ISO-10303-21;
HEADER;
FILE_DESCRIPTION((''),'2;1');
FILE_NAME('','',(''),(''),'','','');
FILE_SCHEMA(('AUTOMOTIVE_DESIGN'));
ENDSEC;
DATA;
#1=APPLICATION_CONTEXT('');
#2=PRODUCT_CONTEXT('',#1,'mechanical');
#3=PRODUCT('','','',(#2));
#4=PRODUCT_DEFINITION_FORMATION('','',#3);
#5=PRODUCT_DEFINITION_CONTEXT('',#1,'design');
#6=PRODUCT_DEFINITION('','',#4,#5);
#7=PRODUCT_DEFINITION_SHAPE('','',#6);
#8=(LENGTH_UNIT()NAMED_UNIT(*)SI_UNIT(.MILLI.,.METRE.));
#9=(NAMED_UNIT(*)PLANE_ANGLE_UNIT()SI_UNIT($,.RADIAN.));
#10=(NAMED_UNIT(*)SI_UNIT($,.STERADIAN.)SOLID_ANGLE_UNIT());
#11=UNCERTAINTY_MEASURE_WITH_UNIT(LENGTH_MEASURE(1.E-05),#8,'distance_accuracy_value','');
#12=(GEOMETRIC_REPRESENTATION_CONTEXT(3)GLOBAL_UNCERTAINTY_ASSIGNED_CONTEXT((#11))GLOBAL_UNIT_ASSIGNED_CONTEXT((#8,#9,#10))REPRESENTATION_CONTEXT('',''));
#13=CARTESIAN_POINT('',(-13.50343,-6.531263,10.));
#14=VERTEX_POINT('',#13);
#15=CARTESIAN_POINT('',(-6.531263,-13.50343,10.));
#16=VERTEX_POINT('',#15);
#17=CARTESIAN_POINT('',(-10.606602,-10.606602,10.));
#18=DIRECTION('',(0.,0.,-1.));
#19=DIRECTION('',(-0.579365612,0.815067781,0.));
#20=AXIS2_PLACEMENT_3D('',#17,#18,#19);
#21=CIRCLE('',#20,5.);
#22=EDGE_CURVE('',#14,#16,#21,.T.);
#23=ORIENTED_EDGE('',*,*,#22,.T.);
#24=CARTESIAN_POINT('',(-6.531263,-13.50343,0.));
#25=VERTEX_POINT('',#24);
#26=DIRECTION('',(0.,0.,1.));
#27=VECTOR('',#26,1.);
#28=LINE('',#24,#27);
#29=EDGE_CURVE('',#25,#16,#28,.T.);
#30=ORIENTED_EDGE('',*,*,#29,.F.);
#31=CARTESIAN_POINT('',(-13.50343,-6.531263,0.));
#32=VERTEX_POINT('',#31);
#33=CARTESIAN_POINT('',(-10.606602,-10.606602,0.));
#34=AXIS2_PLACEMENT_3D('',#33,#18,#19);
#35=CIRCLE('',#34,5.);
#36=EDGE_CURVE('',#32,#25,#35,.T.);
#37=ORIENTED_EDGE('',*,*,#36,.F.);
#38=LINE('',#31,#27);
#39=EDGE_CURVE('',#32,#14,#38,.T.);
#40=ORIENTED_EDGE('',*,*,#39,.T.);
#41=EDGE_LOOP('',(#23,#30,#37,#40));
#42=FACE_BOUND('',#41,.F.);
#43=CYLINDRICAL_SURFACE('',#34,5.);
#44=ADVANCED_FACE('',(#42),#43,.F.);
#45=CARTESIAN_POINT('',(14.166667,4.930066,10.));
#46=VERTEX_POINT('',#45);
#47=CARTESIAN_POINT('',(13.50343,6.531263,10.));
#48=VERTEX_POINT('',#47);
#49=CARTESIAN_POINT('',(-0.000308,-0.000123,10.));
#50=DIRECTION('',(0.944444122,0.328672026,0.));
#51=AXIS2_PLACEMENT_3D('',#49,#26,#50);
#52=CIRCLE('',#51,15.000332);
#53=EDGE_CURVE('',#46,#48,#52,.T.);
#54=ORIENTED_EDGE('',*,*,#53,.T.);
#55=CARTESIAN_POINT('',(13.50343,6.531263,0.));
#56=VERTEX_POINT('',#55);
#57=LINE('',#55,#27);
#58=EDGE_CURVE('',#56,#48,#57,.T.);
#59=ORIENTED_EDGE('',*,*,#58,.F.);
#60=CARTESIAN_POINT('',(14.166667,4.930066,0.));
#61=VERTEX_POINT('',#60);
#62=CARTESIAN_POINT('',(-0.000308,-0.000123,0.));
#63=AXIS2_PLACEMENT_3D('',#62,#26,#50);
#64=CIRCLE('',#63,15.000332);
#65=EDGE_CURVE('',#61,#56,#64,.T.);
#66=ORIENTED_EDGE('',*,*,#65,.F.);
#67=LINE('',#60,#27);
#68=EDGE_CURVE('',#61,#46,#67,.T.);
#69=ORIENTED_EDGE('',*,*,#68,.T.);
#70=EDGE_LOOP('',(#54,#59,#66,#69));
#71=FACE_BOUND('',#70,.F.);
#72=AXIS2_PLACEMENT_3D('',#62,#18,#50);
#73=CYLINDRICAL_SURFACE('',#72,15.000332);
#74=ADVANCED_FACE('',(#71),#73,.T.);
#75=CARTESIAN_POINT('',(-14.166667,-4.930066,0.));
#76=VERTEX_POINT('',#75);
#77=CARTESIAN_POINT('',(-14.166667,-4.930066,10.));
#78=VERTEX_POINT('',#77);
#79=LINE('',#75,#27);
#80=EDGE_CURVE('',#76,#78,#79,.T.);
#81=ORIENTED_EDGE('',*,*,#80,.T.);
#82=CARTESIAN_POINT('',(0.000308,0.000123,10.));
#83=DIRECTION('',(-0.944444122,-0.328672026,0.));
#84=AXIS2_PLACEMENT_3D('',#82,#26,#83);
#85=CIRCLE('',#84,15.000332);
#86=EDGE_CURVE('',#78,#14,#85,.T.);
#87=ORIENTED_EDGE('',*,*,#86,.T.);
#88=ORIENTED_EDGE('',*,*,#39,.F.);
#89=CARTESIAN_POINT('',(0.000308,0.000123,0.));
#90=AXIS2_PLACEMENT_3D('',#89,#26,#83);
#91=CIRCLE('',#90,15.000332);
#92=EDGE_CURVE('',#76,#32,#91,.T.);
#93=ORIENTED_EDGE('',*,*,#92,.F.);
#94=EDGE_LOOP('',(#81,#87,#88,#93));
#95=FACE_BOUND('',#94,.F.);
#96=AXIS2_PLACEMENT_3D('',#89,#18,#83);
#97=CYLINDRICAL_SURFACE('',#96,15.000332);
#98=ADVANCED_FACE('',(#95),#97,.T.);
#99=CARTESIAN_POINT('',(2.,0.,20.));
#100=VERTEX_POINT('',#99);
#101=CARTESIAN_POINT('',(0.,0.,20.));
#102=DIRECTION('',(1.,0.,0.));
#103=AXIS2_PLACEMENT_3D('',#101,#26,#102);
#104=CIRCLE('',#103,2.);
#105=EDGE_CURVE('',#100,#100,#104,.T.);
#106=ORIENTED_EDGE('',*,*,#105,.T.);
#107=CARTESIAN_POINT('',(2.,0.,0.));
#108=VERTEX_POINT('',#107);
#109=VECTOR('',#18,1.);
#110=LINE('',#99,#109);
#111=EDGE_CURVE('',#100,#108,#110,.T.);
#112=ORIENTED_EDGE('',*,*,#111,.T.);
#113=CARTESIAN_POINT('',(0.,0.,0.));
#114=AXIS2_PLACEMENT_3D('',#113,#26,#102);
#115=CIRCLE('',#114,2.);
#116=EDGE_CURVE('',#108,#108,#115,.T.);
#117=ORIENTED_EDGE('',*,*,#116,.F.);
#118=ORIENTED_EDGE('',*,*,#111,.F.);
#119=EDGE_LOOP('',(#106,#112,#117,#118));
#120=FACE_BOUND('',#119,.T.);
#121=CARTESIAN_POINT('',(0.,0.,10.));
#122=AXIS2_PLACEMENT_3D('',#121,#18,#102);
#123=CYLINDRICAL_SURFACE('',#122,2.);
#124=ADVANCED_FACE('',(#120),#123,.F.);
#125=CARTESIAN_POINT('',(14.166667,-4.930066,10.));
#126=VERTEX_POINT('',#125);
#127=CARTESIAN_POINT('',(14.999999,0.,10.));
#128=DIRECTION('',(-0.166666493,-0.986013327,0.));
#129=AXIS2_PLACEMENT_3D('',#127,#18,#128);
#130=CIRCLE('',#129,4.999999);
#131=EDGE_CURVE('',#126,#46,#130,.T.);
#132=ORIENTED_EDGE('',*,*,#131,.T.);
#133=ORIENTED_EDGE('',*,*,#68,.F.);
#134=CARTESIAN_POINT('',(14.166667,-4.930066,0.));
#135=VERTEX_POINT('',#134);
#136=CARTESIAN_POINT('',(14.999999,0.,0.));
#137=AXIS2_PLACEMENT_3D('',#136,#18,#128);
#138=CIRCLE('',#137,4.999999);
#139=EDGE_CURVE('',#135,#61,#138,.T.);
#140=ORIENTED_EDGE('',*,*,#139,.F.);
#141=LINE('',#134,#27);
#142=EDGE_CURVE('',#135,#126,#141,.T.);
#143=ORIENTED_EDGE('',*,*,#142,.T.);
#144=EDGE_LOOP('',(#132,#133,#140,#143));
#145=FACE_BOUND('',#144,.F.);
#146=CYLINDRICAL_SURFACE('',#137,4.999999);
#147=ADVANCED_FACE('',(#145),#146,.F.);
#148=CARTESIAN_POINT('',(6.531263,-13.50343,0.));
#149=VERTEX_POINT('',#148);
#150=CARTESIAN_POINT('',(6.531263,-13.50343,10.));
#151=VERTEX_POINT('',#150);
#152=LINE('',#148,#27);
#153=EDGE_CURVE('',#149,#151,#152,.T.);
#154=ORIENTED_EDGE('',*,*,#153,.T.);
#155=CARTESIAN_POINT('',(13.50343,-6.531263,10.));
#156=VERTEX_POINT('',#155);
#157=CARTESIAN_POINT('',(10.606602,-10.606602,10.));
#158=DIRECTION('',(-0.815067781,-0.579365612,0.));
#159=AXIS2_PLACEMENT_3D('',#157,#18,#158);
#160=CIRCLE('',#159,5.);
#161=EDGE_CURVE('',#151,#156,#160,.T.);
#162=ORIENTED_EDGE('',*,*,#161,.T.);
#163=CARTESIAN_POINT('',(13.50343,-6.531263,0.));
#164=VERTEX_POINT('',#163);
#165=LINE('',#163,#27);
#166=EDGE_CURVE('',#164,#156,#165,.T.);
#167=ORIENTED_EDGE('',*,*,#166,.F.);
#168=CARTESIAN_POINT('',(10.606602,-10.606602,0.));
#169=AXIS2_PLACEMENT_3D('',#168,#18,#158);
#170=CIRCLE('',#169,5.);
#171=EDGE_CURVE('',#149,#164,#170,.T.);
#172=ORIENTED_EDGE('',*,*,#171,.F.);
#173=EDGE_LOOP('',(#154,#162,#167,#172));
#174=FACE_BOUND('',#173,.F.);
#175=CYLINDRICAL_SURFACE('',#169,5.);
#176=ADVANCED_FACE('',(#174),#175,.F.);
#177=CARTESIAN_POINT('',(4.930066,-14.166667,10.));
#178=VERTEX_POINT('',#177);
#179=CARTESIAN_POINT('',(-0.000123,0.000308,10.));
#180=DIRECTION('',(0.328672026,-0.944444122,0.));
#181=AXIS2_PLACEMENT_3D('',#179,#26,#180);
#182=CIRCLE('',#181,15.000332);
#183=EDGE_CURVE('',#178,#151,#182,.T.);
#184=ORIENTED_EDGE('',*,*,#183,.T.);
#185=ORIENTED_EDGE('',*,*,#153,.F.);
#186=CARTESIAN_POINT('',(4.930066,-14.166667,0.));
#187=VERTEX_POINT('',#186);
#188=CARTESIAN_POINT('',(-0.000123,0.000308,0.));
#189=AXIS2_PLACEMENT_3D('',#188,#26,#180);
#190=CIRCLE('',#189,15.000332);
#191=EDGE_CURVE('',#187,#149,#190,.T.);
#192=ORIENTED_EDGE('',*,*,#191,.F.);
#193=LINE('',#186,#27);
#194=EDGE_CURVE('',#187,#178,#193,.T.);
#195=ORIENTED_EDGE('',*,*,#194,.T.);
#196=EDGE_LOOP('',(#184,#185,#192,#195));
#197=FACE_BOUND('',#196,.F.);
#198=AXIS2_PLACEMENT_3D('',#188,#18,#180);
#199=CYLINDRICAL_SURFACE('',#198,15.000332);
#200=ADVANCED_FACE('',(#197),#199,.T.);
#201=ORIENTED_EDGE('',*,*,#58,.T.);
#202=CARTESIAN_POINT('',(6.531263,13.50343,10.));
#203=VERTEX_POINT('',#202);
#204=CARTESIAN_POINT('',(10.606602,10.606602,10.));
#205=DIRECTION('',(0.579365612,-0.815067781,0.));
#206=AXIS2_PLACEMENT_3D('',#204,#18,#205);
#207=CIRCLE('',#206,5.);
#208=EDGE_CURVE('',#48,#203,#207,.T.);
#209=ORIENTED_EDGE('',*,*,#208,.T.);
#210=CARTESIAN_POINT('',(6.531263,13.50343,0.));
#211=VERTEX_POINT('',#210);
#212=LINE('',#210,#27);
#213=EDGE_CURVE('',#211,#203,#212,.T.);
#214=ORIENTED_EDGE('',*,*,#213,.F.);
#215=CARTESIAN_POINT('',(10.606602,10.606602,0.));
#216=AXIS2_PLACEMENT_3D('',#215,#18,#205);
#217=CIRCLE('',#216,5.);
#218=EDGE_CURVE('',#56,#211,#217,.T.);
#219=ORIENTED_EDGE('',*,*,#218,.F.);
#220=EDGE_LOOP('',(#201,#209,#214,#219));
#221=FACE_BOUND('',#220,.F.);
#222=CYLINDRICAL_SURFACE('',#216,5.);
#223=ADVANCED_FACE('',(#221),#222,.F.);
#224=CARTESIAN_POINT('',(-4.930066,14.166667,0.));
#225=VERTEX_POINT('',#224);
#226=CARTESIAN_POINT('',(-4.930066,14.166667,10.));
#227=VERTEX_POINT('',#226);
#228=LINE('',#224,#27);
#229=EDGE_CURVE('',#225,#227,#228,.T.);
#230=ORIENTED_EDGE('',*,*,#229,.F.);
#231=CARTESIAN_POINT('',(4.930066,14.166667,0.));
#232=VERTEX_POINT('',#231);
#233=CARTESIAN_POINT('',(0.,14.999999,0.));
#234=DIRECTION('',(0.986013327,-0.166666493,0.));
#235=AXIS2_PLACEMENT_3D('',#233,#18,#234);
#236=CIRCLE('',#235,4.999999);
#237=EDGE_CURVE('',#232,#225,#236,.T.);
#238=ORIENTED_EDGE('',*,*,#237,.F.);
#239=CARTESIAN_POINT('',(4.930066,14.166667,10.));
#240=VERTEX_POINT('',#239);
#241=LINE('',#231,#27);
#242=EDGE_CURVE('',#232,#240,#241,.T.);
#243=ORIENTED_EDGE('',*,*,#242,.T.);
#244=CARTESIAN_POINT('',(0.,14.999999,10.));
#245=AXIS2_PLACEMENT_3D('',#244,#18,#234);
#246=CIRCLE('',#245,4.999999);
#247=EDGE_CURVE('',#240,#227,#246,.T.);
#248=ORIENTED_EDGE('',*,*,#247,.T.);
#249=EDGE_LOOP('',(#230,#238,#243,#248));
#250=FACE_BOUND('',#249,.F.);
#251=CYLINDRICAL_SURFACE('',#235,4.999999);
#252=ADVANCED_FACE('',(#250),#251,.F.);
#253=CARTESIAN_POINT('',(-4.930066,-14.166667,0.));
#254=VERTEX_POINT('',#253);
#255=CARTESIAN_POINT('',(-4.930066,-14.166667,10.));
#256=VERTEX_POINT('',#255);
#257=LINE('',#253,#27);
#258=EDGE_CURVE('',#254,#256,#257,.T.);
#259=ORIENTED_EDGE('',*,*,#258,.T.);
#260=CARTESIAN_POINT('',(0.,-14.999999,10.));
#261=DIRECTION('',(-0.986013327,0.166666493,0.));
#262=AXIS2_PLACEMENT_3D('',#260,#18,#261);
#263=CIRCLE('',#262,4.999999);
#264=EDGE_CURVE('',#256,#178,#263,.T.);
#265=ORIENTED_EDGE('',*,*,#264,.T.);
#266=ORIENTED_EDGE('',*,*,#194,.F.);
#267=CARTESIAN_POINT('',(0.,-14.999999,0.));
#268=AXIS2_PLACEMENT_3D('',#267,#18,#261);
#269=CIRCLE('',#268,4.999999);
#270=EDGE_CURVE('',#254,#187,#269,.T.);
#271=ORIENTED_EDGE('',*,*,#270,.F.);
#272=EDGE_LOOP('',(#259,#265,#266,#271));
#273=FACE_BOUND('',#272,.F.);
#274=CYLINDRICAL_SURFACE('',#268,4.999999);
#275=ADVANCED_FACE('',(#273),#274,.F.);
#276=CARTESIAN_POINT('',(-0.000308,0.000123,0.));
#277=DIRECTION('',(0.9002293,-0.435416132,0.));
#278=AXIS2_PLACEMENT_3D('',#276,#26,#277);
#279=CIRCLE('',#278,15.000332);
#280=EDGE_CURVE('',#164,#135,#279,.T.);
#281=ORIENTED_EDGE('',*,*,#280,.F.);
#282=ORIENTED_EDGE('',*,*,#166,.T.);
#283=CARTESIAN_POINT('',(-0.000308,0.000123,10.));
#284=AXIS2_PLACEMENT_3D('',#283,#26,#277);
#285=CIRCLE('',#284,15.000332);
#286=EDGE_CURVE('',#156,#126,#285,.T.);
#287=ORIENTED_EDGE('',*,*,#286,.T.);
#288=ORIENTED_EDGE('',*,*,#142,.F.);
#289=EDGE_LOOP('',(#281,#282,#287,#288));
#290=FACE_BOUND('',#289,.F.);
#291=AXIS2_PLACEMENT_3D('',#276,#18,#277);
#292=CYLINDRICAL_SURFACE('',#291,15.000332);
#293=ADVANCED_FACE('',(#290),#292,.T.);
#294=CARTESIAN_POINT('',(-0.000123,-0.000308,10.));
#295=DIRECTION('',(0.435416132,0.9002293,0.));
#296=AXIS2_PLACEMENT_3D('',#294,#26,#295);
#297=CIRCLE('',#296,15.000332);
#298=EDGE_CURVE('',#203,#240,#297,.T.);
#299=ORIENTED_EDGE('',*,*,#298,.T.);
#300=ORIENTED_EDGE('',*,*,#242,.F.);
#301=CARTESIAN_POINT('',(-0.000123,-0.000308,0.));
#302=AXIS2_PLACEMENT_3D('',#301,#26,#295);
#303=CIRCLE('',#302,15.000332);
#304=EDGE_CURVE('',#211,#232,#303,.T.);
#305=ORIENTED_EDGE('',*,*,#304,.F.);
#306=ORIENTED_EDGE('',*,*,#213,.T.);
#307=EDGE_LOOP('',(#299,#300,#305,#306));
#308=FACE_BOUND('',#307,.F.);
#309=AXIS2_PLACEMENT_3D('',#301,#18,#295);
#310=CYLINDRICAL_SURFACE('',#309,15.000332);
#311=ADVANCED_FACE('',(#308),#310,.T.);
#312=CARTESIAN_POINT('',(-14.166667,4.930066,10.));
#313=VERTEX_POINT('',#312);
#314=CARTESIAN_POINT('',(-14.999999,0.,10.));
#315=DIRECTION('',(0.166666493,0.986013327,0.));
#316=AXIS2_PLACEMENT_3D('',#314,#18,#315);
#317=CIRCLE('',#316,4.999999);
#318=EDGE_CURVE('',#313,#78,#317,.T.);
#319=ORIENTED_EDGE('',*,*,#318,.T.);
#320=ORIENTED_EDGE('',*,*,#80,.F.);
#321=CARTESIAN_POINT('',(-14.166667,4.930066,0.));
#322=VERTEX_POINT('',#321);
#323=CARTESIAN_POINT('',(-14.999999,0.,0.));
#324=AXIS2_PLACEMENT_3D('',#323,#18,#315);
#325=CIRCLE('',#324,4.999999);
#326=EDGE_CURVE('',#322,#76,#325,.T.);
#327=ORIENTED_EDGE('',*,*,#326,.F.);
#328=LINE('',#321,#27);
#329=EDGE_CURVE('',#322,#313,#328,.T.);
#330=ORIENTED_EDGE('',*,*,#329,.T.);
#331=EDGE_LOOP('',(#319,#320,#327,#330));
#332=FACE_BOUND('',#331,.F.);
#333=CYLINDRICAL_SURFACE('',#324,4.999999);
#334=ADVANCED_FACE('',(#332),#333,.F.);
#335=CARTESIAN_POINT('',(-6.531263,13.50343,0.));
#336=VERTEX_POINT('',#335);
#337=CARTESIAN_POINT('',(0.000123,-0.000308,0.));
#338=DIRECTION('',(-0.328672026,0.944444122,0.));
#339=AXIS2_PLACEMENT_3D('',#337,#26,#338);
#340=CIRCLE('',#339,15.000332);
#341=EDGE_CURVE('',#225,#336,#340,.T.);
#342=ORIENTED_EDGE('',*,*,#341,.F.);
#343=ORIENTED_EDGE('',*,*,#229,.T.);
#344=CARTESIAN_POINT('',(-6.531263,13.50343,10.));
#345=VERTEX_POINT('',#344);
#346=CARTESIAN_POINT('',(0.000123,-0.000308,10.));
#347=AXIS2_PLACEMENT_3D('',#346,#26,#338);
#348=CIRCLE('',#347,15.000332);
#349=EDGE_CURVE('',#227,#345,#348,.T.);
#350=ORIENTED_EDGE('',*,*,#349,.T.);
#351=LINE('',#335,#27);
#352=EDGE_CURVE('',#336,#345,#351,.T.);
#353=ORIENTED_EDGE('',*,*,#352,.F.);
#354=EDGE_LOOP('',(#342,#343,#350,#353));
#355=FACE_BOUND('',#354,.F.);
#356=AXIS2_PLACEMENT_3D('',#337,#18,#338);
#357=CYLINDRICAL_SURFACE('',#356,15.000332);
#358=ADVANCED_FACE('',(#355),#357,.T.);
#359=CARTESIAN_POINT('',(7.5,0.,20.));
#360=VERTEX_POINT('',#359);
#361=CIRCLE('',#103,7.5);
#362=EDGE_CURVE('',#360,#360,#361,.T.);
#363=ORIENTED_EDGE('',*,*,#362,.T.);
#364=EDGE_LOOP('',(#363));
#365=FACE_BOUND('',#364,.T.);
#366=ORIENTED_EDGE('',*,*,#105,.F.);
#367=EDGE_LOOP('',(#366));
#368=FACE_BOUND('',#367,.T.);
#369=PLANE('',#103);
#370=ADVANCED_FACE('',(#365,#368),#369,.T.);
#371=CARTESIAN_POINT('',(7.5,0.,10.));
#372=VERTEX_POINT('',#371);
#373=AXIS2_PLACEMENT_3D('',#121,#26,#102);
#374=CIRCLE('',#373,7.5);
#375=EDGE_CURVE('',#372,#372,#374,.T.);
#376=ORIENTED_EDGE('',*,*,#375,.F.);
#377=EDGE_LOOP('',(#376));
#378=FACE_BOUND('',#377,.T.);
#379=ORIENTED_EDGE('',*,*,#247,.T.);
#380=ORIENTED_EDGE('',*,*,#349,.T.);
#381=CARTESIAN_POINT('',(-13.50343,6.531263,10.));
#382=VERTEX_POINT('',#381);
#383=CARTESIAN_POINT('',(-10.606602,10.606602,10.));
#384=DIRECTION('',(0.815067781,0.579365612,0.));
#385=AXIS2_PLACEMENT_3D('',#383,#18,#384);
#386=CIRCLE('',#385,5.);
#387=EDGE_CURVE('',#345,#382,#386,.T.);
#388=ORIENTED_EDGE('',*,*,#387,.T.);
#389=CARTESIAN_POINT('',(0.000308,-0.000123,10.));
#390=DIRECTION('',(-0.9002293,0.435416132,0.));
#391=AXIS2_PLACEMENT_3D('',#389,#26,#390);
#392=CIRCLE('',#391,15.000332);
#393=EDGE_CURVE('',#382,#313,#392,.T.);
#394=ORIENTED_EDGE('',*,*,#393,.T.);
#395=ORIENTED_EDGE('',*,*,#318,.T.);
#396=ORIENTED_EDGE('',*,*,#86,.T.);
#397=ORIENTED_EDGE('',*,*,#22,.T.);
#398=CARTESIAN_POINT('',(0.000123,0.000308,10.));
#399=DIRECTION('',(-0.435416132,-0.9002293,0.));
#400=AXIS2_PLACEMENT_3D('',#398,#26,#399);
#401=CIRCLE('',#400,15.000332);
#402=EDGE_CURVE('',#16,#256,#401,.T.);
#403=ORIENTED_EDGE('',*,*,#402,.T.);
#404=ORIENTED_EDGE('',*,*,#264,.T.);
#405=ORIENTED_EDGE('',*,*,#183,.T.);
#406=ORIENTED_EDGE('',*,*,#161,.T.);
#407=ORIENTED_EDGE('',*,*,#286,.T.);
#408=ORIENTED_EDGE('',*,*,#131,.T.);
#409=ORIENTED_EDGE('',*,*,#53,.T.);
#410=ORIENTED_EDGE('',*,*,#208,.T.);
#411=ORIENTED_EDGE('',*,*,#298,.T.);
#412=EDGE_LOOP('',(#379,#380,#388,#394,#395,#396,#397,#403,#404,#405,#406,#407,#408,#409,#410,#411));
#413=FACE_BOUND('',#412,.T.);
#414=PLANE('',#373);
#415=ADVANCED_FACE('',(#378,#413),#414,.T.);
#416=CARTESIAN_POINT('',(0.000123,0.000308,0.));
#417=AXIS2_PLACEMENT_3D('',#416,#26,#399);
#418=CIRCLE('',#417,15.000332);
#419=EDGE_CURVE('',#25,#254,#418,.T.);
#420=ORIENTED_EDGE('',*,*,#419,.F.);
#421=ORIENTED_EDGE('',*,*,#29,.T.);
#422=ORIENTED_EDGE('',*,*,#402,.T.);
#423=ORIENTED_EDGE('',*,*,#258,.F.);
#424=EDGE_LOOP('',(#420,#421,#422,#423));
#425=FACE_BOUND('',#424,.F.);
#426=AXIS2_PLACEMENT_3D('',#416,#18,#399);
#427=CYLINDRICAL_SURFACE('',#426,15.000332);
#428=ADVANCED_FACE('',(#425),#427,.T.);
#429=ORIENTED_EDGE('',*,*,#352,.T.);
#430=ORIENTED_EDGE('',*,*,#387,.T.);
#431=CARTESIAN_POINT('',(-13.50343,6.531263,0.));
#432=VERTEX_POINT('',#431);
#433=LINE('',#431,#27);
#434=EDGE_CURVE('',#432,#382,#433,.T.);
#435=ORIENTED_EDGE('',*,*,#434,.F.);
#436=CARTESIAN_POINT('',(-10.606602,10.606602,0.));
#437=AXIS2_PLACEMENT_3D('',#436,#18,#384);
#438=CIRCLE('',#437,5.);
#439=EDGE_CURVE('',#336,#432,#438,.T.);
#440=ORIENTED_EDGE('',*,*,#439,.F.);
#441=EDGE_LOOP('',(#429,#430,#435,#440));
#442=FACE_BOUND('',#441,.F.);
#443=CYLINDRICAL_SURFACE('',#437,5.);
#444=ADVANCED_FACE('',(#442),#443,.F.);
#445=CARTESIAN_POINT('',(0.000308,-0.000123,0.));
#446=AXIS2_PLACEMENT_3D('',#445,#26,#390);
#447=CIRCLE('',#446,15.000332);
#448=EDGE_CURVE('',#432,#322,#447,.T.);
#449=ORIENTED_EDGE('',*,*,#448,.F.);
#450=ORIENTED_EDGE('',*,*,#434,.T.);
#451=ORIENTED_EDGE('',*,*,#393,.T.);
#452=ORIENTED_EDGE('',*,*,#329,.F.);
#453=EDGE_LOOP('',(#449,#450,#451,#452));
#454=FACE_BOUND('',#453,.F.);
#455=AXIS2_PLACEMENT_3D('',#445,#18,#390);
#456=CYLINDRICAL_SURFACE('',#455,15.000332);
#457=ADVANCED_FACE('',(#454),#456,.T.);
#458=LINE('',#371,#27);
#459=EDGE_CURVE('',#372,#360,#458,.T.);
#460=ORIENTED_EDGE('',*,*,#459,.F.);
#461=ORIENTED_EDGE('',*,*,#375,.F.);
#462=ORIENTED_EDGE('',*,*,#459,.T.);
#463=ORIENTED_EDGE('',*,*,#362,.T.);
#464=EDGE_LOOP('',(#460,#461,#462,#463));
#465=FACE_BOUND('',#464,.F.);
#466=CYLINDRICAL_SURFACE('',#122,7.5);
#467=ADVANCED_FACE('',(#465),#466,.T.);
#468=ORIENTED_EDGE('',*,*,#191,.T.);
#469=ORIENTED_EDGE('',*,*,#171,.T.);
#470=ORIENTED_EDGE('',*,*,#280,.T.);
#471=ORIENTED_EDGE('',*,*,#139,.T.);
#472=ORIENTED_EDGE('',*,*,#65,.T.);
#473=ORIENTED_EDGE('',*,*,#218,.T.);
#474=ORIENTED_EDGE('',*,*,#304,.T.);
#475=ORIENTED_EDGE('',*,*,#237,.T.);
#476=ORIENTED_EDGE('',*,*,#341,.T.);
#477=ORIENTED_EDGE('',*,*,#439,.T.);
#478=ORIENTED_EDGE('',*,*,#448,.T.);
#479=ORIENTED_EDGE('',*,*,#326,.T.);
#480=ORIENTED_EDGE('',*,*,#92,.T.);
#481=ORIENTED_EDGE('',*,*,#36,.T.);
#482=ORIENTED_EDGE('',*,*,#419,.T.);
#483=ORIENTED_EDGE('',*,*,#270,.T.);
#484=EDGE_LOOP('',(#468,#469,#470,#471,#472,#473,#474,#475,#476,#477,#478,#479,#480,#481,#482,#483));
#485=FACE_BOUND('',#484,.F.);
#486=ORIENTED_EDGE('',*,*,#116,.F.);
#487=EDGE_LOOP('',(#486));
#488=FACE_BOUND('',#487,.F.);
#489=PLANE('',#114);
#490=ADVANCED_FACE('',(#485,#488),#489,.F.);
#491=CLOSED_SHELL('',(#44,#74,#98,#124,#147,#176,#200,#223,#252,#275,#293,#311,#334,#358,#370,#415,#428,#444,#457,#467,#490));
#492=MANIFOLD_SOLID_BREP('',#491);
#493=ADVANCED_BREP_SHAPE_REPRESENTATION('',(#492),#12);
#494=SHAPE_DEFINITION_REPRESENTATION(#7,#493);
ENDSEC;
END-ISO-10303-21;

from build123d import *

# Parameters (mm, degrees)
F0_R     = 2
F1_DEPTH = 10
F2_R     = 7.5
F2_R_2   = 2
F3_DEPTH = 10


with BuildPart() as f1:
    # F0 (on Top) → F1 (new body)
    with BuildSketch(Plane.XY):
        with BuildLine():
            ThreePointArc((6.531263, -13.50343), (7.071068, -7.071068), (13.50343, -6.531263))
            ThreePointArc((13.50343, -6.531263), (13.858193, -5.740251), (14.166667, -4.930066))
            ThreePointArc((14.166667, -4.930066), (10, 0), (14.166667, 4.930066))
            ThreePointArc((14.166667, 4.930066), (13.858193, 5.740251), (13.50343, 6.531263))
            ThreePointArc((13.50343, 6.531263), (7.071068, 7.071068), (6.531263, 13.50343))
            ThreePointArc((6.531263, 13.50343), (5.740251, 13.858193), (4.930066, 14.166667))
            ThreePointArc((4.930066, 14.166667), (0, 10), (-4.930066, 14.166667))
            ThreePointArc((-4.930066, 14.166667), (-5.740251, 13.858193), (-6.531263, 13.50343))
            ThreePointArc((-6.531263, 13.50343), (-7.071068, 7.071068), (-13.50343, 6.531263))
            ThreePointArc((-13.50343, 6.531263), (-13.858193, 5.740251), (-14.166667, 4.930066))
            ThreePointArc((-14.166667, 4.930066), (-10, 0), (-14.166667, -4.930066))
            ThreePointArc((-14.166667, -4.930066), (-13.858193, -5.740251), (-13.50343, -6.531263))
            ThreePointArc((-13.50343, -6.531263), (-7.071068, -7.071068), (-6.531263, -13.50343))
            ThreePointArc((-6.531263, -13.50343), (-5.740251, -13.858193), (-4.930066, -14.166667))
            ThreePointArc((-4.930066, -14.166667), (0, -10), (4.930066, -14.166667))
            ThreePointArc((4.930066, -14.166667), (5.740251, -13.858193), (6.531263, -13.50343))
        make_face()
        Circle(F0_R, mode=Mode.SUBTRACT)
    extrude(amount=F1_DEPTH)

    # F2 (on face) → F3 (join)
    with BuildSketch(Plane.XY.offset(10)):
        Circle(F2_R)
        Circle(F2_R_2, mode=Mode.SUBTRACT)
    extrude(amount=F3_DEPTH)


solid = f1.part
